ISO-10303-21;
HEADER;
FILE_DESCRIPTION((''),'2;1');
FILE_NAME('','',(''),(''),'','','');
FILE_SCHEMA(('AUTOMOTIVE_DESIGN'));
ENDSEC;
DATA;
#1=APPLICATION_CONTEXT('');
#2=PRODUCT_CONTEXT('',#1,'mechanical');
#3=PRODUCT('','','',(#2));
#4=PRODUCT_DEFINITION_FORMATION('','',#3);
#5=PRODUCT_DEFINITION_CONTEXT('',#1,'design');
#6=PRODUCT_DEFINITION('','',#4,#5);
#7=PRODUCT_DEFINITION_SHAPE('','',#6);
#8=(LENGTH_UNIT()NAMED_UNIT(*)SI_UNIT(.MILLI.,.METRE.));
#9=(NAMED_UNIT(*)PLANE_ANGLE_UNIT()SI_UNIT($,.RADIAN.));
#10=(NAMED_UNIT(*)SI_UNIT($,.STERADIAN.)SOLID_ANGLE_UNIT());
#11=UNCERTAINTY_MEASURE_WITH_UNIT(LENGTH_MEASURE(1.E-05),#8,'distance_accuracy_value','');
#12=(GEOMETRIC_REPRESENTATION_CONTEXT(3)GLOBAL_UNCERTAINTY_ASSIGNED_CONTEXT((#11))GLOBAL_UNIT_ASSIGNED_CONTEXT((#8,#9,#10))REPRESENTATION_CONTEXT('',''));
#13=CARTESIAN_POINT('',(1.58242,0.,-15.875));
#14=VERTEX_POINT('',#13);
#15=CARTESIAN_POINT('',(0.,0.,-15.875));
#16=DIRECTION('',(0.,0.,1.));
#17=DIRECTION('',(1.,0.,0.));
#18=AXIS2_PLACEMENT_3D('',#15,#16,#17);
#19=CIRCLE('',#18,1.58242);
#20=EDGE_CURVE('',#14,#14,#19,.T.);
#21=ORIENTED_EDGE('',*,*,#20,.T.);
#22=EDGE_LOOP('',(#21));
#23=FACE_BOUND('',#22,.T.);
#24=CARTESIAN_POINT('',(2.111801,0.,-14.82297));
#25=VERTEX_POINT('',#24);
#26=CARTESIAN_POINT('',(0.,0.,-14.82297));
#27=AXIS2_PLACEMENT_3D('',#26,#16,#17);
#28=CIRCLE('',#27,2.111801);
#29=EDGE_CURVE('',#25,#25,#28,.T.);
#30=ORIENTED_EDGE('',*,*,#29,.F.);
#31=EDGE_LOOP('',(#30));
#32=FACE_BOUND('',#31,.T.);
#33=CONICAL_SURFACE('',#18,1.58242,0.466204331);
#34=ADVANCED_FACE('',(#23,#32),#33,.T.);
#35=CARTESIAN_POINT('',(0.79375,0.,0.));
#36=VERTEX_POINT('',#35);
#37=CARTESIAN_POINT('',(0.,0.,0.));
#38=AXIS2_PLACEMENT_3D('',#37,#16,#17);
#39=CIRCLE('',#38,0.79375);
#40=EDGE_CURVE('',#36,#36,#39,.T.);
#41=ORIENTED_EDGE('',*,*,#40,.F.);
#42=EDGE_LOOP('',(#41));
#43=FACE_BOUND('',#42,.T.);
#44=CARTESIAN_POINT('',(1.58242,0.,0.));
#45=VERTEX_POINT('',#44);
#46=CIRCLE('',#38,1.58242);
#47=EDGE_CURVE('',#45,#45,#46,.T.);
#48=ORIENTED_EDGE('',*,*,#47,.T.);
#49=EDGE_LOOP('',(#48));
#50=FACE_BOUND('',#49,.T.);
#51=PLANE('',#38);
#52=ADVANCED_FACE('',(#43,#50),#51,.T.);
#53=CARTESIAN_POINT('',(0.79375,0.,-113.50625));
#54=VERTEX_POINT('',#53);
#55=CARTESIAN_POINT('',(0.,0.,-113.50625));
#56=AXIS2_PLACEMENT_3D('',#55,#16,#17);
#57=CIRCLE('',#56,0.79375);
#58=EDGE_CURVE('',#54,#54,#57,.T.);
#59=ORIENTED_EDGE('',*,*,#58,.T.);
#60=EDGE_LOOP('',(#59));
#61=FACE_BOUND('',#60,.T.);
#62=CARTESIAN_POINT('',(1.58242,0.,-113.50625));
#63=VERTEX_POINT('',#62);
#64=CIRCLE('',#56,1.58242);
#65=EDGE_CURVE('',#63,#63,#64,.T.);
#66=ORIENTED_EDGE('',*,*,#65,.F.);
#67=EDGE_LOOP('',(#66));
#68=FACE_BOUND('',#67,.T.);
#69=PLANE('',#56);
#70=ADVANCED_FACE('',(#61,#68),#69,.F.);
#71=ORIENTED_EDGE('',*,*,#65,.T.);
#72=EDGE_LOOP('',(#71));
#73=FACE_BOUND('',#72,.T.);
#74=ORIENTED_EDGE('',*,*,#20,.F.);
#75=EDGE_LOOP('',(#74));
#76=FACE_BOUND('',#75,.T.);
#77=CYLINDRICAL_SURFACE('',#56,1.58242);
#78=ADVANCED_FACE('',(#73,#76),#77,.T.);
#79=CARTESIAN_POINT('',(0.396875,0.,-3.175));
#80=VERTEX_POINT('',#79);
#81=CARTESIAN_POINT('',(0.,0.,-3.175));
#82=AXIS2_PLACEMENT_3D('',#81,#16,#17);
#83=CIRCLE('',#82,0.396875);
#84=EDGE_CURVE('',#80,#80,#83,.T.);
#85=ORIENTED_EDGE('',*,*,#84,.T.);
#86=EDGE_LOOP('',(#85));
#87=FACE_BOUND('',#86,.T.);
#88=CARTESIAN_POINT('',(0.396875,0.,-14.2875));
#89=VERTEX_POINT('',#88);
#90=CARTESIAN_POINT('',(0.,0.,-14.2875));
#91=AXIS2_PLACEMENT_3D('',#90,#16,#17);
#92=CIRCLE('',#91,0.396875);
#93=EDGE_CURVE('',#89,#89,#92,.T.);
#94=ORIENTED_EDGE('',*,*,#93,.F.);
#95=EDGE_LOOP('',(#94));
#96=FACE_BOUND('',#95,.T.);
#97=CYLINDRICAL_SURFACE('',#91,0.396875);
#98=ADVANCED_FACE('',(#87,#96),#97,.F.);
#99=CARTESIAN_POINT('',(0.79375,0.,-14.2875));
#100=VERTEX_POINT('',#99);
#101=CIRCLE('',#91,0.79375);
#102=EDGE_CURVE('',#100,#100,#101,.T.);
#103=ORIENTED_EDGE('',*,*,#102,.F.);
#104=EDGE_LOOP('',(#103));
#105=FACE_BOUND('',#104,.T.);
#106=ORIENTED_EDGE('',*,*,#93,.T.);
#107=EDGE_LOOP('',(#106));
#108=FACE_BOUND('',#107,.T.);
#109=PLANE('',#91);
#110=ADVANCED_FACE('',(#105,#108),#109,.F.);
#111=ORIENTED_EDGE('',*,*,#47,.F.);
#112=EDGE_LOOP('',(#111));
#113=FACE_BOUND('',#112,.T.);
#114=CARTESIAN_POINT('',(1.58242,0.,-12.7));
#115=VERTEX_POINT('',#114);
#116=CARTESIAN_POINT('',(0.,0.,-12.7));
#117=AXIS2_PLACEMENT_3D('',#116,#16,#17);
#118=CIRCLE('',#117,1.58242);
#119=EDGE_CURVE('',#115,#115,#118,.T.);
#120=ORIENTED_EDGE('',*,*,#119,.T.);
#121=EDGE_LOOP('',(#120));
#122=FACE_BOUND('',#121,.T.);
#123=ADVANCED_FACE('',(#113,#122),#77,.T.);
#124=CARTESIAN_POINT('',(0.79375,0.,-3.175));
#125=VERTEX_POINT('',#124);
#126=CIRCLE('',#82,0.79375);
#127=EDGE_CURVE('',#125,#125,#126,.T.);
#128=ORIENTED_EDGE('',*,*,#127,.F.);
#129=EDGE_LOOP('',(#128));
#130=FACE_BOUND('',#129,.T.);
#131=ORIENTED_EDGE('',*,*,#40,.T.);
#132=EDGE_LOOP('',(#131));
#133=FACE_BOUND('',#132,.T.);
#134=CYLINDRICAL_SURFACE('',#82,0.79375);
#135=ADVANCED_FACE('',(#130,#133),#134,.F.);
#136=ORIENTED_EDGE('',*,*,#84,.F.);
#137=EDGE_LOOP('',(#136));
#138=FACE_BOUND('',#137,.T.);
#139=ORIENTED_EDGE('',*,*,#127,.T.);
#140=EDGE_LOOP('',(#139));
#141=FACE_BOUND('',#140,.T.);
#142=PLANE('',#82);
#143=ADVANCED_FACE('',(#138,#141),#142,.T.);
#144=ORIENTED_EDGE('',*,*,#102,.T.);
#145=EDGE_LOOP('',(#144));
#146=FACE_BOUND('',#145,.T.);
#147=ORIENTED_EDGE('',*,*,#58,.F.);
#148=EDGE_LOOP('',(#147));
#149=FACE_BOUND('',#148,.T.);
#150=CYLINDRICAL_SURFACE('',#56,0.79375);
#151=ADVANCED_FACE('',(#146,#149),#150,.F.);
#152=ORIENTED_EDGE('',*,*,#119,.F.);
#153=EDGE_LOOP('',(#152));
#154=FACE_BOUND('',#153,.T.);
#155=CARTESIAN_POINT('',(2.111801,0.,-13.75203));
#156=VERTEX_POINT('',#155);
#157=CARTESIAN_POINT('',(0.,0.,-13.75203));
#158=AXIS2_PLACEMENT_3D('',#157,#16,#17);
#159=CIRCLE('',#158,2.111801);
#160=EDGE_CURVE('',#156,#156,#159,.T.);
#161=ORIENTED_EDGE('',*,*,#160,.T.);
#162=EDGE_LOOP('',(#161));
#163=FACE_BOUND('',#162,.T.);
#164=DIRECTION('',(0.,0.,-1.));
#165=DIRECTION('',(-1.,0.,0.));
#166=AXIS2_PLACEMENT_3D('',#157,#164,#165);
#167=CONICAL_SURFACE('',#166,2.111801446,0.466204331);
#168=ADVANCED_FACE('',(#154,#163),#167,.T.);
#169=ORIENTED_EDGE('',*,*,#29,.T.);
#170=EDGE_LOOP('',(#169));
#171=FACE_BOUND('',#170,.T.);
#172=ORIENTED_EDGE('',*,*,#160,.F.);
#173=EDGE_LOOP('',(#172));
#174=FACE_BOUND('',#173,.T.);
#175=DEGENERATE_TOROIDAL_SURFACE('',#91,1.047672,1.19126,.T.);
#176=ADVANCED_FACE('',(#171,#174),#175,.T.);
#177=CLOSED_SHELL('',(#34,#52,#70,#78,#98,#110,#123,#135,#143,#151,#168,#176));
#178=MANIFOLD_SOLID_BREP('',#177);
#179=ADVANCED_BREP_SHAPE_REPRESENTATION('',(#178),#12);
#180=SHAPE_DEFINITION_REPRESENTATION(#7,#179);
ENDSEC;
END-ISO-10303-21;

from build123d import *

# Parameters (mm, degrees)
SKETCH1_R           = 1.58242
BOSS_EXTRUDE1_DEPTH = 113.50625
SKETCH2_R           = 0.79375
CUT_EXTRUDE1_DEPTH  = 3.175
SKETCH3_R           = 0.396875
CUT_EXTRUDE2_DEPTH  = 14.2875
CUT_EXTRUDE4_START  = -14.2875
SKETCH4_R           = 0.79375
CUT_EXTRUDE4_DEPTH  = 100.21875


with BuildPart() as part:
    # Sketch1 → Boss-Extrude1 (new body)
    with BuildSketch(Plane.XY):
        Circle(SKETCH1_R)
    extrude(amount=-BOSS_EXTRUDE1_DEPTH)

    # Sketch2 → Cut-Extrude1 (cut)
    with BuildSketch(Plane.XY):
        Circle(SKETCH2_R)
    extrude(amount=-CUT_EXTRUDE1_DEPTH, mode=Mode.SUBTRACT)

    # Sketch3 → Cut-Extrude2 (cut)
    with BuildSketch(Plane.XY):
        Circle(SKETCH3_R)
    extrude(amount=-CUT_EXTRUDE2_DEPTH, mode=Mode.SUBTRACT)

    # Sketch4 → Cut-Extrude4 (cut, through all)
    with BuildSketch(Plane.XY.offset(CUT_EXTRUDE4_START)):
        Circle(SKETCH4_R)
    extrude(amount=-CUT_EXTRUDE4_DEPTH, mode=Mode.SUBTRACT)

    # Sketch5 → Revolve1 (revolve)
    with BuildSketch(Plane(origin=(0, 0, 0), x_dir=(0, 0, -1), z_dir=(1, 0, 0))):
        with BuildLine():
            Line((12.7, 1.58242), (13.752029901, 2.111801446))
            ThreePointArc((13.752029901, 2.111801446), (14.2875, 2.238931679), (14.822970099, 2.111801446))
            Line((14.822970099, 2.111801446), (15.875, 1.58242))
            Line((15.875, 1.58242), (12.7, 1.58242))
        make_face()
    revolve(axis=Axis((0, 0, 0), (0, 0, -1)))


solid = part.part
